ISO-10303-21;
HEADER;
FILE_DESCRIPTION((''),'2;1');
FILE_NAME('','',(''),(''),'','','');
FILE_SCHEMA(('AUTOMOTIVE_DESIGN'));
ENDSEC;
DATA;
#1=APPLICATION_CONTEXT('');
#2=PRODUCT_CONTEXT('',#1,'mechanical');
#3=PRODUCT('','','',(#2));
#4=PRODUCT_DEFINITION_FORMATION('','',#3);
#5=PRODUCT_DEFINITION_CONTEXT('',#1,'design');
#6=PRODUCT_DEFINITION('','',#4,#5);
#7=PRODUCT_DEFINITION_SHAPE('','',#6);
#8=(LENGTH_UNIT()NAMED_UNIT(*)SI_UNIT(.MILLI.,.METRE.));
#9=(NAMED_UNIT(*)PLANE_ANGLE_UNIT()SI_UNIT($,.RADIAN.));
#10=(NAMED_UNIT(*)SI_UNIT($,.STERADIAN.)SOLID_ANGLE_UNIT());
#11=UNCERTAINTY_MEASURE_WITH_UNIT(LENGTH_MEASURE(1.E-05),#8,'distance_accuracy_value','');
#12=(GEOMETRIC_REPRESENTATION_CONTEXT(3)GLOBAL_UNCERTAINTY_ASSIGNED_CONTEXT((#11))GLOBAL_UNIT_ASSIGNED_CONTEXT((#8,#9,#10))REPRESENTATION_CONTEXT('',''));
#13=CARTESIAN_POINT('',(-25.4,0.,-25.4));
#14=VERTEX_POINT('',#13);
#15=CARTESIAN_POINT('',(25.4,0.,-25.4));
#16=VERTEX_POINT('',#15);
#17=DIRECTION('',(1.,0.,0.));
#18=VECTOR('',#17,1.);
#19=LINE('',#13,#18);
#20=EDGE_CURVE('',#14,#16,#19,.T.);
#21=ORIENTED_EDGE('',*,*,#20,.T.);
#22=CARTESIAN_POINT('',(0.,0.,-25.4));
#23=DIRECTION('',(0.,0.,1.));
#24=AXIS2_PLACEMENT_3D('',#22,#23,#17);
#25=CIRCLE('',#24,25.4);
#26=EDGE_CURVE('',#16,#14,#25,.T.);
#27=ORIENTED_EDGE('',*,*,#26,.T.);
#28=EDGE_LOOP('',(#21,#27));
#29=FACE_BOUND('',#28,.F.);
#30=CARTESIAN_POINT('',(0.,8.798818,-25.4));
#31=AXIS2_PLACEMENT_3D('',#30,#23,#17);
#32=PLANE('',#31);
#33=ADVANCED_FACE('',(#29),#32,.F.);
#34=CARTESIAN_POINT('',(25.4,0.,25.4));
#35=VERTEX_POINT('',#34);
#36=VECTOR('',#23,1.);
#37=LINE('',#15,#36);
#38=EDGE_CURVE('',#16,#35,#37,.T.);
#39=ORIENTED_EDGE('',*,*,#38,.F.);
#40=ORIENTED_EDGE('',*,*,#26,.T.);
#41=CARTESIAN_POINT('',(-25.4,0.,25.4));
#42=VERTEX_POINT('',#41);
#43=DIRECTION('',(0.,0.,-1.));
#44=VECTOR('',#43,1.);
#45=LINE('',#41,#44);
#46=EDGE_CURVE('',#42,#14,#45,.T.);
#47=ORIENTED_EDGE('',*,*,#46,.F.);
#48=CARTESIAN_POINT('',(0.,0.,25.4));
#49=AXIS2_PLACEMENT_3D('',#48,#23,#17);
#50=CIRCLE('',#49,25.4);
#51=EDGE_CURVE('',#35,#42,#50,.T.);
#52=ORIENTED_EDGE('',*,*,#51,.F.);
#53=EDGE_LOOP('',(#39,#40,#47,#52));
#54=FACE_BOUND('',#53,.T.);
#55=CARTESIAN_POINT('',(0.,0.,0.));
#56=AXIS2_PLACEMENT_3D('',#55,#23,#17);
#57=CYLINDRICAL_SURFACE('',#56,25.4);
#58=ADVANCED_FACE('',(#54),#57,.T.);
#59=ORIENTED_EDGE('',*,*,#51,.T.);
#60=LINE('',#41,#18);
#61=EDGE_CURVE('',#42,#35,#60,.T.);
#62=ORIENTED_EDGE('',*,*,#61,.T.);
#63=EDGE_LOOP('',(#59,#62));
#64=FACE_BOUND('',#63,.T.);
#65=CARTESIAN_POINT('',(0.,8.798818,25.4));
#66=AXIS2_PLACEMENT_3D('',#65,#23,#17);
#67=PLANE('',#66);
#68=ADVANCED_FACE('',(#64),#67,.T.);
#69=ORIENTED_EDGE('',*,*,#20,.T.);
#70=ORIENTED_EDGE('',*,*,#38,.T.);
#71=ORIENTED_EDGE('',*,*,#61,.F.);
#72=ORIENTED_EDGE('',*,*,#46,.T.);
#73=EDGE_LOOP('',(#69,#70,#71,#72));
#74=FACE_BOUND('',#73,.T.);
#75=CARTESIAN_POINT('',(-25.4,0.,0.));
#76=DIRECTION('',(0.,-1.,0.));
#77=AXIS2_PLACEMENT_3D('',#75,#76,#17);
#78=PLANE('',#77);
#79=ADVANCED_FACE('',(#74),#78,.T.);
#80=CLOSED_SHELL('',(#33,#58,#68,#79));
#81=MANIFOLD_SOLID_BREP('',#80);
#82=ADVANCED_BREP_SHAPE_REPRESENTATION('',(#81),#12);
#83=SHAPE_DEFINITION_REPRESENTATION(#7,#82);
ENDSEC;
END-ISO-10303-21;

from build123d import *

# Parameters (mm, degrees)
F1_DEPTH = 25.4


with BuildPart() as f1:
    # F0 (on Top) → F1 (new body, symmetric)
    with BuildSketch(Plane.XY):
        with BuildLine():
            Line((-25.4, 0), (25.4, 0))
            ThreePointArc((25.4, 0), (0, 25.4), (-25.4, 0))
        make_face()
    extrude(amount=F1_DEPTH, both=True)


solid = f1.part
